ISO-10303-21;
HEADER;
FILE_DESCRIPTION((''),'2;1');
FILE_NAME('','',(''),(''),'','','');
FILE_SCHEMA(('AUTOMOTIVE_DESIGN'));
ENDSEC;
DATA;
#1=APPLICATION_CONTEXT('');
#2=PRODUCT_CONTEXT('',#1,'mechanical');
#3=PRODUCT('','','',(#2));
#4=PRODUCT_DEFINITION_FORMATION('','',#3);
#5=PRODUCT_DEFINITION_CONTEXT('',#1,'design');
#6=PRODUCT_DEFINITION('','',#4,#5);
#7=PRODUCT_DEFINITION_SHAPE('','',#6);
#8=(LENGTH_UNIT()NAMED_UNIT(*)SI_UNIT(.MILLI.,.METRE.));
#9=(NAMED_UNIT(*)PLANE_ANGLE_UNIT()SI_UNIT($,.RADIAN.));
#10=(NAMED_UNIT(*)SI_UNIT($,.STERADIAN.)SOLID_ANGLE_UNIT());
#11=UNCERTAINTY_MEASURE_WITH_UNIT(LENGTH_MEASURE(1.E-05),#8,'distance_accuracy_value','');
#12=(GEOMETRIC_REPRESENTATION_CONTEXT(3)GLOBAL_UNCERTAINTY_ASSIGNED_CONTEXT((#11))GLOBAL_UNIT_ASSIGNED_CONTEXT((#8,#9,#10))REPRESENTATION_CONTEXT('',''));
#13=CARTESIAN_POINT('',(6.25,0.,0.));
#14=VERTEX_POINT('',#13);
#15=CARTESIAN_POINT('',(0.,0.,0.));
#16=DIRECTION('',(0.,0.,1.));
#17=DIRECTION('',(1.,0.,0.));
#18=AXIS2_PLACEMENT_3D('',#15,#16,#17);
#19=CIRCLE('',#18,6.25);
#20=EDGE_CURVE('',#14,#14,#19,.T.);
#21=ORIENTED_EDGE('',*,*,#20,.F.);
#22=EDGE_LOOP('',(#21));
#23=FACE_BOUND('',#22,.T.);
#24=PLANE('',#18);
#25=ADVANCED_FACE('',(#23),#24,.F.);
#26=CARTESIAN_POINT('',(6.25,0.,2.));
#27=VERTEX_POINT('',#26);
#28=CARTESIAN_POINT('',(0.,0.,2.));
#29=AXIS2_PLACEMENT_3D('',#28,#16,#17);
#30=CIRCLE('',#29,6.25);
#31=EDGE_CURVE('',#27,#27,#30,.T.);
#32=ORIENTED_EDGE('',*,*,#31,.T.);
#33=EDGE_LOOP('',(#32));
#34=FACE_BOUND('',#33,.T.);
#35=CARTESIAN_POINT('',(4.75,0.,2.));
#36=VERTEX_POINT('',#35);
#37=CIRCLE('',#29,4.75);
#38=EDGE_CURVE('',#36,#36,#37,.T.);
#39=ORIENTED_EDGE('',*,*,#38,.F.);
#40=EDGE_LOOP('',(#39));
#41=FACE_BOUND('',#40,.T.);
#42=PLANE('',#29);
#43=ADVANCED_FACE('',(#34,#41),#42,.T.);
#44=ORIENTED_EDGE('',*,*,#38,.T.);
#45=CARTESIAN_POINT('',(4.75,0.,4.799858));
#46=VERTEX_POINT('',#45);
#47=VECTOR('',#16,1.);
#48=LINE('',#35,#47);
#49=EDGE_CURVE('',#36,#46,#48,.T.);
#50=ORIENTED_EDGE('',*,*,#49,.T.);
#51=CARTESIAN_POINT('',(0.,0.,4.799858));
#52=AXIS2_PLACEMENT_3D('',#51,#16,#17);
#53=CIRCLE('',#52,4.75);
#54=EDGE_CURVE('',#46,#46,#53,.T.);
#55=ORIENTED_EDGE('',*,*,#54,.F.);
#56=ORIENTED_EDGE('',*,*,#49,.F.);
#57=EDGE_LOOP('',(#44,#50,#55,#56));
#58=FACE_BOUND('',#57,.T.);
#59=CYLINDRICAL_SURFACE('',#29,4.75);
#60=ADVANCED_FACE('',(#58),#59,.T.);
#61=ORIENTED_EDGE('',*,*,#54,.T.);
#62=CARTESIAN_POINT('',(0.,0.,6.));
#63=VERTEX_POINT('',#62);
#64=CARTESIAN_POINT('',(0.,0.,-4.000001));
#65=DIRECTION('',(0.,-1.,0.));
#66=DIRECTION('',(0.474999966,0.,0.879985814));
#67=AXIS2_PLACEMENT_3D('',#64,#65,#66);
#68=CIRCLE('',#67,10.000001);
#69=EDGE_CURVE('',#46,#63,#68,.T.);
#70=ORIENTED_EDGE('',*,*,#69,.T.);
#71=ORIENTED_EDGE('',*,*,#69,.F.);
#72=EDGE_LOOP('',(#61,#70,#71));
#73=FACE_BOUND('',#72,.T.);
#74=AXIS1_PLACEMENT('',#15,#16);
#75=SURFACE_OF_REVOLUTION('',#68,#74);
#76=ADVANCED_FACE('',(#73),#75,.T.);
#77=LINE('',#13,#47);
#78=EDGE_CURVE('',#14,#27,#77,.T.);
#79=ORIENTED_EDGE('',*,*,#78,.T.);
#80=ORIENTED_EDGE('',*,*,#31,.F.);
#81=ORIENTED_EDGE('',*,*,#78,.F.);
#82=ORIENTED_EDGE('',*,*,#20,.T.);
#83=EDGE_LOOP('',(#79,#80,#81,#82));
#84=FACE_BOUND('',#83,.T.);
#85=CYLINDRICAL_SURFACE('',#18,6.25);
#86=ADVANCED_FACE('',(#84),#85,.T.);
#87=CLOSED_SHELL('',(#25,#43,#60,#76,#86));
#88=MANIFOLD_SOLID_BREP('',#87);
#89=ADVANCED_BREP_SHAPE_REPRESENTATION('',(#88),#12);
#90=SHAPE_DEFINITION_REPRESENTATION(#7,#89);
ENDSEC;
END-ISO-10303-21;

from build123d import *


with BuildPart() as part:
    # Sketch → Revolution (revolve)
    with BuildSketch(Plane.XZ):
        with BuildLine():
            Line((0, 0), (6.25, 0))
            Line((6.25, 0), (6.25, 2))
            Line((6.25, 2), (4.75, 2))
            Line((4.75, 2), (4.75, 4.799858))
            ThreePointArc((4.75, 4.799858), (2.449635, 5.695323), (0, 6))
            Line((0, 0), (0, 6))
        make_face()
    revolve(axis=Axis((0, 0, 0), (0, 0, 1)))


solid = part.part
